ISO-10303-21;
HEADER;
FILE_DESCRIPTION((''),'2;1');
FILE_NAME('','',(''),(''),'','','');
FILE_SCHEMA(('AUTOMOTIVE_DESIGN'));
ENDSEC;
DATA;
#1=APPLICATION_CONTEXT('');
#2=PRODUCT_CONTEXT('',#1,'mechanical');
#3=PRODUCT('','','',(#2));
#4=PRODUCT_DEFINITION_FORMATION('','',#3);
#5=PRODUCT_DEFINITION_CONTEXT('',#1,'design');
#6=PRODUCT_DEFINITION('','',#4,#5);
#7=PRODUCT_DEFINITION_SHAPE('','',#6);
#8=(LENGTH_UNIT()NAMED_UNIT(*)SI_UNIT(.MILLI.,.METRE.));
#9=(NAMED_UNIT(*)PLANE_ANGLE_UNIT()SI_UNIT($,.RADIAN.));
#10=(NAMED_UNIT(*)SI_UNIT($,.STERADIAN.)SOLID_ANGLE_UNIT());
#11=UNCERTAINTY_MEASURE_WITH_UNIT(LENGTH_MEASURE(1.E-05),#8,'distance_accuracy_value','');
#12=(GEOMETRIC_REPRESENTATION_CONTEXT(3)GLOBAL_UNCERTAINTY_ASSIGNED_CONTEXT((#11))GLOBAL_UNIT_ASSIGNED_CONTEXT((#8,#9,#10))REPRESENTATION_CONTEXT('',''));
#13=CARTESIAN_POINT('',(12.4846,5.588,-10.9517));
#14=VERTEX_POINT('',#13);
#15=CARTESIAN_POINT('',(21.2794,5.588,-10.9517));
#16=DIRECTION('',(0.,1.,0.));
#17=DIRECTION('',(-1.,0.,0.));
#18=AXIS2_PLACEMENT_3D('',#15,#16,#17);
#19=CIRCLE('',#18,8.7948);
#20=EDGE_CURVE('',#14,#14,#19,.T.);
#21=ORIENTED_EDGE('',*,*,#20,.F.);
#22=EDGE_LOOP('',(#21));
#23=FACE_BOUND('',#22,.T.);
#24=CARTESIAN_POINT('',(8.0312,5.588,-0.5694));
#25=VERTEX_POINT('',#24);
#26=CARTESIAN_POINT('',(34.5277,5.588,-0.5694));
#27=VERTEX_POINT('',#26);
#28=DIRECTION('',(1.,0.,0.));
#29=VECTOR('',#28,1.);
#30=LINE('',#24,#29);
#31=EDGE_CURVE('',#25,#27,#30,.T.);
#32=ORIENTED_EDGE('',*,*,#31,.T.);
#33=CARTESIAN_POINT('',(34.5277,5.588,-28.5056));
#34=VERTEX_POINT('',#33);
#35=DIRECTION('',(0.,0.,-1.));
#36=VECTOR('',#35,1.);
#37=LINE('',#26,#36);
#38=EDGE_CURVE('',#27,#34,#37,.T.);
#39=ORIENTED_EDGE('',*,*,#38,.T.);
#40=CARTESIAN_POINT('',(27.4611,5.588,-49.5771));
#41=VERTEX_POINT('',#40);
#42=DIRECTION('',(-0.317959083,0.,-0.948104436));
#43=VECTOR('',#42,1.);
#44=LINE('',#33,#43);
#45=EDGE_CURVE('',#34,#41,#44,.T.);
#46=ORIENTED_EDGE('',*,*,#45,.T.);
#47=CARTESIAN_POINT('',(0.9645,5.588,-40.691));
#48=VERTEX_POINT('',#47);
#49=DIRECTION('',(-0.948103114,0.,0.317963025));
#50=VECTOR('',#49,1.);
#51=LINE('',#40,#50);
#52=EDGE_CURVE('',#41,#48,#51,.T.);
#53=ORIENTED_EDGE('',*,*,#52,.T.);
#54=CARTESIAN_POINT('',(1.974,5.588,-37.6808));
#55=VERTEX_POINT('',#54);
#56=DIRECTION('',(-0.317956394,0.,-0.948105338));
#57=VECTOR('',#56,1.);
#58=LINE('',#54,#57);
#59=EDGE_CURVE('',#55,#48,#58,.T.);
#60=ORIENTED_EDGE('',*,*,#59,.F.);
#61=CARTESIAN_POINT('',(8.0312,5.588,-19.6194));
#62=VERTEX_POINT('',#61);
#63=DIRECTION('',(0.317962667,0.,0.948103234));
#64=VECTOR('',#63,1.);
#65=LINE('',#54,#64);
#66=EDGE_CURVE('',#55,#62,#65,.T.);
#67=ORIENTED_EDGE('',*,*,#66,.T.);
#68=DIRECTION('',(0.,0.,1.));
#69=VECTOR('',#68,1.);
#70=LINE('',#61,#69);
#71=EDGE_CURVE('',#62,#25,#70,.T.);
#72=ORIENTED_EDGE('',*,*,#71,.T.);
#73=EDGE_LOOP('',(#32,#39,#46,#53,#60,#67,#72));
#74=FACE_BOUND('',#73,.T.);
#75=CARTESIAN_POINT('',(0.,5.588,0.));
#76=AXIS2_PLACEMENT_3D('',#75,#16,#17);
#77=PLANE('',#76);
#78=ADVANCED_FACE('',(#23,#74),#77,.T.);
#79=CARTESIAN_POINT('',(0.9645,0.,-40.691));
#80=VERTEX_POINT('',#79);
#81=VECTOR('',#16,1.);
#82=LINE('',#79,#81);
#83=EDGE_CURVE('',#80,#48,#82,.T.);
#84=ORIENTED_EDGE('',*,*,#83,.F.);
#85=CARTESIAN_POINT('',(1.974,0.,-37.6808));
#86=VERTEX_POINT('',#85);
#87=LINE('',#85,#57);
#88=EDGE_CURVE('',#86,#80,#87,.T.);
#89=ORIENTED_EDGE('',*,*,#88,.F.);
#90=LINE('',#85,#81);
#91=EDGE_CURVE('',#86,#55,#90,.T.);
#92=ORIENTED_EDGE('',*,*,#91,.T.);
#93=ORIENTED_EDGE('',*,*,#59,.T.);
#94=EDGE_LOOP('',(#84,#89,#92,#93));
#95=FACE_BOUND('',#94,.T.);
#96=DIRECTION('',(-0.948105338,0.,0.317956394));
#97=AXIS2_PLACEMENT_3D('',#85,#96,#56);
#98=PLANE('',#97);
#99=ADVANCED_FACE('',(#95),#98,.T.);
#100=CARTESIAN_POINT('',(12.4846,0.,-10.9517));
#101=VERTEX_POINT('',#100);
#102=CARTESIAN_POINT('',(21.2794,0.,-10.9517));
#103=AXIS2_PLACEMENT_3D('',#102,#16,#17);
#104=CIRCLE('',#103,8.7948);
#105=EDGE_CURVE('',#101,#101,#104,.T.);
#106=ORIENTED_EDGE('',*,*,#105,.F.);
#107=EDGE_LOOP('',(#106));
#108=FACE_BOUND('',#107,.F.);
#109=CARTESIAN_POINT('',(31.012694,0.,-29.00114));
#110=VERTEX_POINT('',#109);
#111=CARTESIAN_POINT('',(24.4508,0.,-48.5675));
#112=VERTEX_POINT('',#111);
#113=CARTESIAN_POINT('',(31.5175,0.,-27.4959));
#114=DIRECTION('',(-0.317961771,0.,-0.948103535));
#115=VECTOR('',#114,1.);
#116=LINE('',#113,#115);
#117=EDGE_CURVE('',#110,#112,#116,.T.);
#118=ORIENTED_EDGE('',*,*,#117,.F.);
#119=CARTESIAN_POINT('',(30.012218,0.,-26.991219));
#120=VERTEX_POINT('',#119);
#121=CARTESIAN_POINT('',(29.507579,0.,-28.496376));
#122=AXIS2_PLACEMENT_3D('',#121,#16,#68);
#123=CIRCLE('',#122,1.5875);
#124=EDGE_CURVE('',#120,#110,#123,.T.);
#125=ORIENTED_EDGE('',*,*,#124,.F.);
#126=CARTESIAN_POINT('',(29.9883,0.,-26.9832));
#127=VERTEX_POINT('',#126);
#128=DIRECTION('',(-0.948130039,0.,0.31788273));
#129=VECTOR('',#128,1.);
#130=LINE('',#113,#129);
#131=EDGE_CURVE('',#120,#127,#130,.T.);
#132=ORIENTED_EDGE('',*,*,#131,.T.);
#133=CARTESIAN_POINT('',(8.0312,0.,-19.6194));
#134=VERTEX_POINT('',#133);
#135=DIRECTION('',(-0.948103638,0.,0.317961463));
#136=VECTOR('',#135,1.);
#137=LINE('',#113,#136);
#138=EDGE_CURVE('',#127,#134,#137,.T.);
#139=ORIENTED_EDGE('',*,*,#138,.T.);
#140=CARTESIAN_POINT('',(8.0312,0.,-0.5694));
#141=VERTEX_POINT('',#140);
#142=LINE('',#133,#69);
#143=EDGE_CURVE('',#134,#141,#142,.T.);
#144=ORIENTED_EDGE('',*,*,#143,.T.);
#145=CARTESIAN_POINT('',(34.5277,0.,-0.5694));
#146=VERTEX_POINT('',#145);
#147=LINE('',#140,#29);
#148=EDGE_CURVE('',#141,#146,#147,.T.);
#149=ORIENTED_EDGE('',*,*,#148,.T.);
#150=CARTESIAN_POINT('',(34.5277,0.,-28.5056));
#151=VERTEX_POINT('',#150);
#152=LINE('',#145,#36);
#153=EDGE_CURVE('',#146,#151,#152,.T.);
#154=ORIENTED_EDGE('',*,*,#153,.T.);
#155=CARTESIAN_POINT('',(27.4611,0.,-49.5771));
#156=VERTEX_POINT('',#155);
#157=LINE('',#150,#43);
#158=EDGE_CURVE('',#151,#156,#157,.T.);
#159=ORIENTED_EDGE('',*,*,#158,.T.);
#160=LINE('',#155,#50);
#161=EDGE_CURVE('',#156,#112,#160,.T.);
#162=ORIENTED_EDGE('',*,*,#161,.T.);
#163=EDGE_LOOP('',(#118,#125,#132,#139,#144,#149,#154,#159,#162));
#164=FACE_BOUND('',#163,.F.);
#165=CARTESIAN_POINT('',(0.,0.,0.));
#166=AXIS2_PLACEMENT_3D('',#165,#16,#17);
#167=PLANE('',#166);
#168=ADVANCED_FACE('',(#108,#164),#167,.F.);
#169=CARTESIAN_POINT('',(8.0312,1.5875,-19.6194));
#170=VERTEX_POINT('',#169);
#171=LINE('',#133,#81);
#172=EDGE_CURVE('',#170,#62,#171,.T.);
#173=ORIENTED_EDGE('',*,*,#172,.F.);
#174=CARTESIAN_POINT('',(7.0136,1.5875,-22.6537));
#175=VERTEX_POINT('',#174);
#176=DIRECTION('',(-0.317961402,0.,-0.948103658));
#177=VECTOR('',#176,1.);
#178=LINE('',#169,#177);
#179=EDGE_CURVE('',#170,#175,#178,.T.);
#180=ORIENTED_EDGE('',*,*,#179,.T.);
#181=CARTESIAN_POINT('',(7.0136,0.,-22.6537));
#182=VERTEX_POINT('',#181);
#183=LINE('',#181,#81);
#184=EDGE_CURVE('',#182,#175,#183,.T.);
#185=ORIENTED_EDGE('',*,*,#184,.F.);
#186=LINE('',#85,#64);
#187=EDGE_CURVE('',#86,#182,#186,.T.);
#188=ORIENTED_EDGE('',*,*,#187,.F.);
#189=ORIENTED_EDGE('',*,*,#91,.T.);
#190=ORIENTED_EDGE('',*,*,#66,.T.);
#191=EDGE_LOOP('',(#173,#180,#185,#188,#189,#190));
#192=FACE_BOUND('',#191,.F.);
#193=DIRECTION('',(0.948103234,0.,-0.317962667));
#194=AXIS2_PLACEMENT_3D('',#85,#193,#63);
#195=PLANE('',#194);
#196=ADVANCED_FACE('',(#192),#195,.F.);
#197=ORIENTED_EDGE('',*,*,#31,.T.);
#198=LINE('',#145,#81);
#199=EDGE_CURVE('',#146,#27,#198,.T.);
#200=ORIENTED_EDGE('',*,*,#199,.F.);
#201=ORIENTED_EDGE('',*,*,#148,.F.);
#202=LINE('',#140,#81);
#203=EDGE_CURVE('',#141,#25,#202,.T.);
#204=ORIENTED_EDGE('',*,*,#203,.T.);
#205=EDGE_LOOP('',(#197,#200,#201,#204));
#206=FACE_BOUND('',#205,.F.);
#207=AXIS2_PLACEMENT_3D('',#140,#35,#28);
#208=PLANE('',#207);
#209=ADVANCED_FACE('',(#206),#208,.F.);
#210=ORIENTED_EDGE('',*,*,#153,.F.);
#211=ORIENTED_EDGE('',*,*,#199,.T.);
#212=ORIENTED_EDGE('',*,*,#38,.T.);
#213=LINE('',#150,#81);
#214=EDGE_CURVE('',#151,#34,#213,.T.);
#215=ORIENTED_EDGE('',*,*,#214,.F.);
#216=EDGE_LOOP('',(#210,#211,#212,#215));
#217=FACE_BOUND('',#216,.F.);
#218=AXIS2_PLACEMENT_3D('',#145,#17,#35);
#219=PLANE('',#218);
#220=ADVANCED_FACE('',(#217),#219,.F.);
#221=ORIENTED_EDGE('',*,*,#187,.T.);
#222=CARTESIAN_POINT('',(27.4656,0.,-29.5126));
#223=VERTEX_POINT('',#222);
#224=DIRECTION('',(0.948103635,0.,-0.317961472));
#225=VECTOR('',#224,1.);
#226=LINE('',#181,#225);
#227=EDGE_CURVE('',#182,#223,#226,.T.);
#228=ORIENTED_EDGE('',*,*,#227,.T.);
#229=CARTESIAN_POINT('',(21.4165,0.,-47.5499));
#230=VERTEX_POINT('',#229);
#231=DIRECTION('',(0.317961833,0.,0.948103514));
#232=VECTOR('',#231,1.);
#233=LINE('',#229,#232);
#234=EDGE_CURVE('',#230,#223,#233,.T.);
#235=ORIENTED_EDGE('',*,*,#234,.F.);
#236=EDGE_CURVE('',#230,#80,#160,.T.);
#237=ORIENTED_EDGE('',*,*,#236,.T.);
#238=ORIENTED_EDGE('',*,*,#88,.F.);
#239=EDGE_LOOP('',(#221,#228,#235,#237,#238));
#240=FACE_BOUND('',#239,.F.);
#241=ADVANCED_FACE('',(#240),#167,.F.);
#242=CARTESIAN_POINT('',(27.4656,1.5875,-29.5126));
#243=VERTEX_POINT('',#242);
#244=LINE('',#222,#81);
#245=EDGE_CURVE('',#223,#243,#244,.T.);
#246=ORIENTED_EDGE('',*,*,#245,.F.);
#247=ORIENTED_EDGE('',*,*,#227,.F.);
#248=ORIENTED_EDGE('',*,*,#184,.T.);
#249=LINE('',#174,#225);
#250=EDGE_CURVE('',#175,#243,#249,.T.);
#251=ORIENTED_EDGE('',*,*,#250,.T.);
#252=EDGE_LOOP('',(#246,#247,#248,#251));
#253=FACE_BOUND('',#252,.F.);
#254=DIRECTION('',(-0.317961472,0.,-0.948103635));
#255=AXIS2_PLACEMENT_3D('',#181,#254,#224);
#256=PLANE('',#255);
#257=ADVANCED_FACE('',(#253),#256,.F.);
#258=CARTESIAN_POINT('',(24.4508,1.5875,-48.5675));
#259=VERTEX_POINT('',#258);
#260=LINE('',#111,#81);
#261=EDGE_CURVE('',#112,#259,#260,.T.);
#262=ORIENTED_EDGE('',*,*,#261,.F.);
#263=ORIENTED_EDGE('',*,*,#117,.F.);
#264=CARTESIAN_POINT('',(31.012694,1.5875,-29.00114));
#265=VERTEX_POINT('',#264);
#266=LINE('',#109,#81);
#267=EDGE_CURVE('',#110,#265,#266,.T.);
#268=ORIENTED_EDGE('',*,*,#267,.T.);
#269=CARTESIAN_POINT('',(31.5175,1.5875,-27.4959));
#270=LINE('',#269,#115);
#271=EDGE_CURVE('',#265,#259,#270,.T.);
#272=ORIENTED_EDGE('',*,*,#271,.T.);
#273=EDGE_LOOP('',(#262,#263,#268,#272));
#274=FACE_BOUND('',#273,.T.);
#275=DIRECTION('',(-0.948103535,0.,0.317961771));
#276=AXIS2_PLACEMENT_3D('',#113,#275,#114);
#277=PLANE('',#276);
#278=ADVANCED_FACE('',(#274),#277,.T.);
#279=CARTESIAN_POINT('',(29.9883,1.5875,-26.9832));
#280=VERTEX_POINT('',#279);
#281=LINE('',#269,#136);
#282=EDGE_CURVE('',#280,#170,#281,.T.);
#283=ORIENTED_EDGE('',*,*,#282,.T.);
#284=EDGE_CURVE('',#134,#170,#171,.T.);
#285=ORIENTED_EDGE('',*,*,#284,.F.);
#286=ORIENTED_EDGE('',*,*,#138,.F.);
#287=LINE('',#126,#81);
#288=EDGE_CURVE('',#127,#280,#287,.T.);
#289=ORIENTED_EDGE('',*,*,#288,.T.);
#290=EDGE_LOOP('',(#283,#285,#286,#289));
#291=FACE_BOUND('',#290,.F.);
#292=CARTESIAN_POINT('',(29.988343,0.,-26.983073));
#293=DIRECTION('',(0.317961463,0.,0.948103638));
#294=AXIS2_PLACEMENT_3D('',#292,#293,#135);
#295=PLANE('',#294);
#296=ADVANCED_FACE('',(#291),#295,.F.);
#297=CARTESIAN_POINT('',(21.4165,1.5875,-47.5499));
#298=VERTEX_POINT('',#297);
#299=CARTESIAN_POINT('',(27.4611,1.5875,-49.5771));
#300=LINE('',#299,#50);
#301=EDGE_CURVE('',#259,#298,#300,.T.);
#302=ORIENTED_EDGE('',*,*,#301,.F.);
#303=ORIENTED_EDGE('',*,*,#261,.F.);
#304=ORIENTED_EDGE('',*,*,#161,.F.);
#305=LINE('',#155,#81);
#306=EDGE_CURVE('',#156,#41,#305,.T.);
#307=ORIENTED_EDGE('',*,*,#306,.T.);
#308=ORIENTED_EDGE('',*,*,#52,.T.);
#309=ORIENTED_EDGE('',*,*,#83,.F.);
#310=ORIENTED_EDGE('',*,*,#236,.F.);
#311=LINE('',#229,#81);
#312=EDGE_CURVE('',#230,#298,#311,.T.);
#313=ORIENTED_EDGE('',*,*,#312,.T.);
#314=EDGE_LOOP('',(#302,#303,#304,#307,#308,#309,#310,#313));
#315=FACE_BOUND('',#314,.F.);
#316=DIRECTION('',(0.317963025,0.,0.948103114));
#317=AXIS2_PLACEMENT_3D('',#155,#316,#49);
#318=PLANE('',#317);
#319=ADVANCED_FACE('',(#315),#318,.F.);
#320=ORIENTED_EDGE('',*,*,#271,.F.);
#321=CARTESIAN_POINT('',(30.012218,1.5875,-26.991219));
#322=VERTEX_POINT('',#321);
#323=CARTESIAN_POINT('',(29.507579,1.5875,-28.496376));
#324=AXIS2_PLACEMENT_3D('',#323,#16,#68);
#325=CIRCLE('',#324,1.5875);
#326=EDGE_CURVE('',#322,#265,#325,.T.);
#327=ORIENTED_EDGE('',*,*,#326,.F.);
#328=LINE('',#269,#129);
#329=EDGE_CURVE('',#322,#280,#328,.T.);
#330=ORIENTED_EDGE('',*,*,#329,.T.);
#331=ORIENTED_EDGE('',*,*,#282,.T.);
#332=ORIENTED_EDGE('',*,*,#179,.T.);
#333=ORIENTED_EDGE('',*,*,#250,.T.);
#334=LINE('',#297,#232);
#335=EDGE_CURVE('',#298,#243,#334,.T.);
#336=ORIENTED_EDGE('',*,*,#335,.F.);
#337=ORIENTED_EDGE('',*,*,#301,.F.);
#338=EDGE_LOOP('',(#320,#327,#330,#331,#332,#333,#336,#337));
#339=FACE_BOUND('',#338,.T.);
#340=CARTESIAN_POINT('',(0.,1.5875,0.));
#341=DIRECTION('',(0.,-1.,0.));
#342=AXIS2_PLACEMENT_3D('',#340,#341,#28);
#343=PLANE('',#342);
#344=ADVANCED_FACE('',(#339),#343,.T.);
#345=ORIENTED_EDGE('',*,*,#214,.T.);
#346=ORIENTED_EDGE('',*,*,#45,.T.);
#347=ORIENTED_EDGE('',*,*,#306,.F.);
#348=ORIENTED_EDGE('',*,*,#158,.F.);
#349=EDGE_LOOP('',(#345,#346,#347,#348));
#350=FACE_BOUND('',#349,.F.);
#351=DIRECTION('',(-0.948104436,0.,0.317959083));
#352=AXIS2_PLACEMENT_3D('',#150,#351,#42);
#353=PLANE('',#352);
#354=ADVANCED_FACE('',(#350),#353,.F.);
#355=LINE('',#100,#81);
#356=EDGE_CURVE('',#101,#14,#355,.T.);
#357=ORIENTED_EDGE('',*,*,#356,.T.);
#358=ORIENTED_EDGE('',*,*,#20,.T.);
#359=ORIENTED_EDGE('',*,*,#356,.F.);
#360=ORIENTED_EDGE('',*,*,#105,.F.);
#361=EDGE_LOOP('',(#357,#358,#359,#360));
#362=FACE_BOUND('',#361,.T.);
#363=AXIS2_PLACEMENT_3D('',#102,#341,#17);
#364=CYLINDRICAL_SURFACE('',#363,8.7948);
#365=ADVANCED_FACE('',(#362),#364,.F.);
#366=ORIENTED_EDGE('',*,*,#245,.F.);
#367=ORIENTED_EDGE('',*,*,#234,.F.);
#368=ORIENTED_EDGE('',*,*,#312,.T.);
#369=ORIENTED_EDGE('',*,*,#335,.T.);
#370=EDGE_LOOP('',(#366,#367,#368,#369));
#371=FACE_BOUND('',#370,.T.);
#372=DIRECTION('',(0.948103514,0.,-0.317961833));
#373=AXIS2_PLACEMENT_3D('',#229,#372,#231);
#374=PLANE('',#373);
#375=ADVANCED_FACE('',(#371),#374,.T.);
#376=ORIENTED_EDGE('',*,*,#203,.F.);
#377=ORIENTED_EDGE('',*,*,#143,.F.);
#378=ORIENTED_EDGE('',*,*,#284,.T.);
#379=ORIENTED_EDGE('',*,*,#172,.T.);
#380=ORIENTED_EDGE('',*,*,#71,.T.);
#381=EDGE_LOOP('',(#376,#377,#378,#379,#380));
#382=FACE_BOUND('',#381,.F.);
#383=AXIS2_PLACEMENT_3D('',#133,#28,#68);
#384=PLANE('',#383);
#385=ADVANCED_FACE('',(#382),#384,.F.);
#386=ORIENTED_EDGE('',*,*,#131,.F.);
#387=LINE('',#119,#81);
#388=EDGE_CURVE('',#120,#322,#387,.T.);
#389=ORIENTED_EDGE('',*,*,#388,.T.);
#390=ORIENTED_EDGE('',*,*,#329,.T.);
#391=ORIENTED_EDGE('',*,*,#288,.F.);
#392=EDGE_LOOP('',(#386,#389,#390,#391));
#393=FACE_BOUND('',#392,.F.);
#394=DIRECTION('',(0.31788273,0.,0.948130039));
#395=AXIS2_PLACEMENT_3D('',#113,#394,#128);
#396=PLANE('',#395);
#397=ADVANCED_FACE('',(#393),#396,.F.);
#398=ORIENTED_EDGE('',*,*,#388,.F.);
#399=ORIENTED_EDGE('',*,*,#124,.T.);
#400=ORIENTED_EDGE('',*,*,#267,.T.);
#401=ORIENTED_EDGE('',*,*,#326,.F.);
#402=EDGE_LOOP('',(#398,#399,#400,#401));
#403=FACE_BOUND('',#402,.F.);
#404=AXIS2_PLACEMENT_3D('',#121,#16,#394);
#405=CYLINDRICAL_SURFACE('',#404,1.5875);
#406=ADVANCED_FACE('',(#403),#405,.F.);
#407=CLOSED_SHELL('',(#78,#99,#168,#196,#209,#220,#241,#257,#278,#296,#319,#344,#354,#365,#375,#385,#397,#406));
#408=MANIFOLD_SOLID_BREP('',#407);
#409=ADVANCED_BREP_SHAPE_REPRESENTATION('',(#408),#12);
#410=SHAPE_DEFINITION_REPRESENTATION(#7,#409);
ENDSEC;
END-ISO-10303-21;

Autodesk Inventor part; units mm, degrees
ref_plane "YZ Plane" through (0, 0, 0) normal (1, 0, 0) x (0, 1, 0)
ref_plane "XZ Plane" through (0, 0, 0) normal (0, 1, 0) x (-1, 0, 0)
ref_plane "XY Plane" through (0, 0, 0) normal (0, 0, 1) x (1, 0, 0)
sketch "Sketch1" plane through (0, 0, 0) normal (0, 1, 0) x (-1, 0, 0)
  line L0 (-8.0312, -19.6194) -> (-8.0312, -0.5694)
  line L1 (-8.0312, -0.5694) -> (-34.5277, -0.5694)
  line L2 (-34.5277, -0.5694) -> (-34.5277, -28.5056)
  line L3 (18.6455, 5.0782) -> (18.6456, 5.0782)
  line L4 (-1.974, -37.6808) -> (-8.0312, -19.6194)
  line L5 (-34.5277, -28.5056) -> (-27.4611, -49.5771)
  line L6 (-1.974, -37.6808) -> (-0.9645, -40.691)
  line L7 (-27.4611, -49.5771) -> (-0.9645, -40.691)
  circle A0 centre (-21.2794, -10.9517) radius 8.7948
  line L8 (-8.0312, -0.5694) -> (-8.0312, -19.6194)
  line L9 (-8.0312, -19.6194) -> (-0.9645, -40.691)
  line L10 (-0.9645, -40.691) -> (-27.4611, -49.5771)
  line L11 (-27.4611, -49.5771) -> (-34.5277, -28.5056)
  line L12 (-34.5277, -28.5056) -> (-34.5277, -0.5694)
  line L13 (-34.5277, -0.5694) -> (-8.0312, -0.5694)
  dimension "d0" = 19.05
  dimension "d1" = 22.225
  dimension "d2" = 27.9469
  dimension "d3" = 26.4965
  dimension "d4" = 17.5895
  dimension "d18" = 13.2483
  dimension "d20" = 161.46
  dimension "d22" = 10.3823
extrude "Extrusion1" add sketch "Sketch1" along normal blind 5.588
sketch "Sketch2" plane through (0, 0, 0) normal (0, -1, 0) x (1, 0, 0)
  line L0 (27.4611, -49.5771) -> (0.9645, -40.691) projected
  line L1 (31.5175, -27.4959) -> (29.9883, -26.9832)
  line L2 (34.5277, -28.5056) -> (27.4611, -49.5771) projected
  line L3 (27.4611, -49.5771) -> (0.9645, -40.691) projected
  line L4 (31.5175, -27.4959) -> (8.0312, -19.6194)
  line L5 (8.0312, -19.6194) -> (7.0136, -22.6537)
  line L6 (7.0136, -22.6537) -> (27.4656, -29.5126)
  line L7 (24.4508, -48.5675) -> (21.4165, -47.5499)
  line L8 (21.4165, -47.5499) -> (27.4656, -29.5126)
  line L9 (29.9883, -26.9831) -> (31.5175, -27.4959)
  line L10 (31.5175, -27.4959) -> (24.4508, -48.5675)
  point P0 (0, 0)
  dimension "d15" = 3.2004
  dimension "d16" = 3.175
  dimension "d17" = 3.2004
extrude "Extrusion2" cut sketch "Sketch2" against normal blind 1.5875
fillet "Fillet1" radius 1.5875 1 edges at (31.5175, 0.7937, -27.4959)
properties part number "Lidar Sensor CAse Piece 1"
